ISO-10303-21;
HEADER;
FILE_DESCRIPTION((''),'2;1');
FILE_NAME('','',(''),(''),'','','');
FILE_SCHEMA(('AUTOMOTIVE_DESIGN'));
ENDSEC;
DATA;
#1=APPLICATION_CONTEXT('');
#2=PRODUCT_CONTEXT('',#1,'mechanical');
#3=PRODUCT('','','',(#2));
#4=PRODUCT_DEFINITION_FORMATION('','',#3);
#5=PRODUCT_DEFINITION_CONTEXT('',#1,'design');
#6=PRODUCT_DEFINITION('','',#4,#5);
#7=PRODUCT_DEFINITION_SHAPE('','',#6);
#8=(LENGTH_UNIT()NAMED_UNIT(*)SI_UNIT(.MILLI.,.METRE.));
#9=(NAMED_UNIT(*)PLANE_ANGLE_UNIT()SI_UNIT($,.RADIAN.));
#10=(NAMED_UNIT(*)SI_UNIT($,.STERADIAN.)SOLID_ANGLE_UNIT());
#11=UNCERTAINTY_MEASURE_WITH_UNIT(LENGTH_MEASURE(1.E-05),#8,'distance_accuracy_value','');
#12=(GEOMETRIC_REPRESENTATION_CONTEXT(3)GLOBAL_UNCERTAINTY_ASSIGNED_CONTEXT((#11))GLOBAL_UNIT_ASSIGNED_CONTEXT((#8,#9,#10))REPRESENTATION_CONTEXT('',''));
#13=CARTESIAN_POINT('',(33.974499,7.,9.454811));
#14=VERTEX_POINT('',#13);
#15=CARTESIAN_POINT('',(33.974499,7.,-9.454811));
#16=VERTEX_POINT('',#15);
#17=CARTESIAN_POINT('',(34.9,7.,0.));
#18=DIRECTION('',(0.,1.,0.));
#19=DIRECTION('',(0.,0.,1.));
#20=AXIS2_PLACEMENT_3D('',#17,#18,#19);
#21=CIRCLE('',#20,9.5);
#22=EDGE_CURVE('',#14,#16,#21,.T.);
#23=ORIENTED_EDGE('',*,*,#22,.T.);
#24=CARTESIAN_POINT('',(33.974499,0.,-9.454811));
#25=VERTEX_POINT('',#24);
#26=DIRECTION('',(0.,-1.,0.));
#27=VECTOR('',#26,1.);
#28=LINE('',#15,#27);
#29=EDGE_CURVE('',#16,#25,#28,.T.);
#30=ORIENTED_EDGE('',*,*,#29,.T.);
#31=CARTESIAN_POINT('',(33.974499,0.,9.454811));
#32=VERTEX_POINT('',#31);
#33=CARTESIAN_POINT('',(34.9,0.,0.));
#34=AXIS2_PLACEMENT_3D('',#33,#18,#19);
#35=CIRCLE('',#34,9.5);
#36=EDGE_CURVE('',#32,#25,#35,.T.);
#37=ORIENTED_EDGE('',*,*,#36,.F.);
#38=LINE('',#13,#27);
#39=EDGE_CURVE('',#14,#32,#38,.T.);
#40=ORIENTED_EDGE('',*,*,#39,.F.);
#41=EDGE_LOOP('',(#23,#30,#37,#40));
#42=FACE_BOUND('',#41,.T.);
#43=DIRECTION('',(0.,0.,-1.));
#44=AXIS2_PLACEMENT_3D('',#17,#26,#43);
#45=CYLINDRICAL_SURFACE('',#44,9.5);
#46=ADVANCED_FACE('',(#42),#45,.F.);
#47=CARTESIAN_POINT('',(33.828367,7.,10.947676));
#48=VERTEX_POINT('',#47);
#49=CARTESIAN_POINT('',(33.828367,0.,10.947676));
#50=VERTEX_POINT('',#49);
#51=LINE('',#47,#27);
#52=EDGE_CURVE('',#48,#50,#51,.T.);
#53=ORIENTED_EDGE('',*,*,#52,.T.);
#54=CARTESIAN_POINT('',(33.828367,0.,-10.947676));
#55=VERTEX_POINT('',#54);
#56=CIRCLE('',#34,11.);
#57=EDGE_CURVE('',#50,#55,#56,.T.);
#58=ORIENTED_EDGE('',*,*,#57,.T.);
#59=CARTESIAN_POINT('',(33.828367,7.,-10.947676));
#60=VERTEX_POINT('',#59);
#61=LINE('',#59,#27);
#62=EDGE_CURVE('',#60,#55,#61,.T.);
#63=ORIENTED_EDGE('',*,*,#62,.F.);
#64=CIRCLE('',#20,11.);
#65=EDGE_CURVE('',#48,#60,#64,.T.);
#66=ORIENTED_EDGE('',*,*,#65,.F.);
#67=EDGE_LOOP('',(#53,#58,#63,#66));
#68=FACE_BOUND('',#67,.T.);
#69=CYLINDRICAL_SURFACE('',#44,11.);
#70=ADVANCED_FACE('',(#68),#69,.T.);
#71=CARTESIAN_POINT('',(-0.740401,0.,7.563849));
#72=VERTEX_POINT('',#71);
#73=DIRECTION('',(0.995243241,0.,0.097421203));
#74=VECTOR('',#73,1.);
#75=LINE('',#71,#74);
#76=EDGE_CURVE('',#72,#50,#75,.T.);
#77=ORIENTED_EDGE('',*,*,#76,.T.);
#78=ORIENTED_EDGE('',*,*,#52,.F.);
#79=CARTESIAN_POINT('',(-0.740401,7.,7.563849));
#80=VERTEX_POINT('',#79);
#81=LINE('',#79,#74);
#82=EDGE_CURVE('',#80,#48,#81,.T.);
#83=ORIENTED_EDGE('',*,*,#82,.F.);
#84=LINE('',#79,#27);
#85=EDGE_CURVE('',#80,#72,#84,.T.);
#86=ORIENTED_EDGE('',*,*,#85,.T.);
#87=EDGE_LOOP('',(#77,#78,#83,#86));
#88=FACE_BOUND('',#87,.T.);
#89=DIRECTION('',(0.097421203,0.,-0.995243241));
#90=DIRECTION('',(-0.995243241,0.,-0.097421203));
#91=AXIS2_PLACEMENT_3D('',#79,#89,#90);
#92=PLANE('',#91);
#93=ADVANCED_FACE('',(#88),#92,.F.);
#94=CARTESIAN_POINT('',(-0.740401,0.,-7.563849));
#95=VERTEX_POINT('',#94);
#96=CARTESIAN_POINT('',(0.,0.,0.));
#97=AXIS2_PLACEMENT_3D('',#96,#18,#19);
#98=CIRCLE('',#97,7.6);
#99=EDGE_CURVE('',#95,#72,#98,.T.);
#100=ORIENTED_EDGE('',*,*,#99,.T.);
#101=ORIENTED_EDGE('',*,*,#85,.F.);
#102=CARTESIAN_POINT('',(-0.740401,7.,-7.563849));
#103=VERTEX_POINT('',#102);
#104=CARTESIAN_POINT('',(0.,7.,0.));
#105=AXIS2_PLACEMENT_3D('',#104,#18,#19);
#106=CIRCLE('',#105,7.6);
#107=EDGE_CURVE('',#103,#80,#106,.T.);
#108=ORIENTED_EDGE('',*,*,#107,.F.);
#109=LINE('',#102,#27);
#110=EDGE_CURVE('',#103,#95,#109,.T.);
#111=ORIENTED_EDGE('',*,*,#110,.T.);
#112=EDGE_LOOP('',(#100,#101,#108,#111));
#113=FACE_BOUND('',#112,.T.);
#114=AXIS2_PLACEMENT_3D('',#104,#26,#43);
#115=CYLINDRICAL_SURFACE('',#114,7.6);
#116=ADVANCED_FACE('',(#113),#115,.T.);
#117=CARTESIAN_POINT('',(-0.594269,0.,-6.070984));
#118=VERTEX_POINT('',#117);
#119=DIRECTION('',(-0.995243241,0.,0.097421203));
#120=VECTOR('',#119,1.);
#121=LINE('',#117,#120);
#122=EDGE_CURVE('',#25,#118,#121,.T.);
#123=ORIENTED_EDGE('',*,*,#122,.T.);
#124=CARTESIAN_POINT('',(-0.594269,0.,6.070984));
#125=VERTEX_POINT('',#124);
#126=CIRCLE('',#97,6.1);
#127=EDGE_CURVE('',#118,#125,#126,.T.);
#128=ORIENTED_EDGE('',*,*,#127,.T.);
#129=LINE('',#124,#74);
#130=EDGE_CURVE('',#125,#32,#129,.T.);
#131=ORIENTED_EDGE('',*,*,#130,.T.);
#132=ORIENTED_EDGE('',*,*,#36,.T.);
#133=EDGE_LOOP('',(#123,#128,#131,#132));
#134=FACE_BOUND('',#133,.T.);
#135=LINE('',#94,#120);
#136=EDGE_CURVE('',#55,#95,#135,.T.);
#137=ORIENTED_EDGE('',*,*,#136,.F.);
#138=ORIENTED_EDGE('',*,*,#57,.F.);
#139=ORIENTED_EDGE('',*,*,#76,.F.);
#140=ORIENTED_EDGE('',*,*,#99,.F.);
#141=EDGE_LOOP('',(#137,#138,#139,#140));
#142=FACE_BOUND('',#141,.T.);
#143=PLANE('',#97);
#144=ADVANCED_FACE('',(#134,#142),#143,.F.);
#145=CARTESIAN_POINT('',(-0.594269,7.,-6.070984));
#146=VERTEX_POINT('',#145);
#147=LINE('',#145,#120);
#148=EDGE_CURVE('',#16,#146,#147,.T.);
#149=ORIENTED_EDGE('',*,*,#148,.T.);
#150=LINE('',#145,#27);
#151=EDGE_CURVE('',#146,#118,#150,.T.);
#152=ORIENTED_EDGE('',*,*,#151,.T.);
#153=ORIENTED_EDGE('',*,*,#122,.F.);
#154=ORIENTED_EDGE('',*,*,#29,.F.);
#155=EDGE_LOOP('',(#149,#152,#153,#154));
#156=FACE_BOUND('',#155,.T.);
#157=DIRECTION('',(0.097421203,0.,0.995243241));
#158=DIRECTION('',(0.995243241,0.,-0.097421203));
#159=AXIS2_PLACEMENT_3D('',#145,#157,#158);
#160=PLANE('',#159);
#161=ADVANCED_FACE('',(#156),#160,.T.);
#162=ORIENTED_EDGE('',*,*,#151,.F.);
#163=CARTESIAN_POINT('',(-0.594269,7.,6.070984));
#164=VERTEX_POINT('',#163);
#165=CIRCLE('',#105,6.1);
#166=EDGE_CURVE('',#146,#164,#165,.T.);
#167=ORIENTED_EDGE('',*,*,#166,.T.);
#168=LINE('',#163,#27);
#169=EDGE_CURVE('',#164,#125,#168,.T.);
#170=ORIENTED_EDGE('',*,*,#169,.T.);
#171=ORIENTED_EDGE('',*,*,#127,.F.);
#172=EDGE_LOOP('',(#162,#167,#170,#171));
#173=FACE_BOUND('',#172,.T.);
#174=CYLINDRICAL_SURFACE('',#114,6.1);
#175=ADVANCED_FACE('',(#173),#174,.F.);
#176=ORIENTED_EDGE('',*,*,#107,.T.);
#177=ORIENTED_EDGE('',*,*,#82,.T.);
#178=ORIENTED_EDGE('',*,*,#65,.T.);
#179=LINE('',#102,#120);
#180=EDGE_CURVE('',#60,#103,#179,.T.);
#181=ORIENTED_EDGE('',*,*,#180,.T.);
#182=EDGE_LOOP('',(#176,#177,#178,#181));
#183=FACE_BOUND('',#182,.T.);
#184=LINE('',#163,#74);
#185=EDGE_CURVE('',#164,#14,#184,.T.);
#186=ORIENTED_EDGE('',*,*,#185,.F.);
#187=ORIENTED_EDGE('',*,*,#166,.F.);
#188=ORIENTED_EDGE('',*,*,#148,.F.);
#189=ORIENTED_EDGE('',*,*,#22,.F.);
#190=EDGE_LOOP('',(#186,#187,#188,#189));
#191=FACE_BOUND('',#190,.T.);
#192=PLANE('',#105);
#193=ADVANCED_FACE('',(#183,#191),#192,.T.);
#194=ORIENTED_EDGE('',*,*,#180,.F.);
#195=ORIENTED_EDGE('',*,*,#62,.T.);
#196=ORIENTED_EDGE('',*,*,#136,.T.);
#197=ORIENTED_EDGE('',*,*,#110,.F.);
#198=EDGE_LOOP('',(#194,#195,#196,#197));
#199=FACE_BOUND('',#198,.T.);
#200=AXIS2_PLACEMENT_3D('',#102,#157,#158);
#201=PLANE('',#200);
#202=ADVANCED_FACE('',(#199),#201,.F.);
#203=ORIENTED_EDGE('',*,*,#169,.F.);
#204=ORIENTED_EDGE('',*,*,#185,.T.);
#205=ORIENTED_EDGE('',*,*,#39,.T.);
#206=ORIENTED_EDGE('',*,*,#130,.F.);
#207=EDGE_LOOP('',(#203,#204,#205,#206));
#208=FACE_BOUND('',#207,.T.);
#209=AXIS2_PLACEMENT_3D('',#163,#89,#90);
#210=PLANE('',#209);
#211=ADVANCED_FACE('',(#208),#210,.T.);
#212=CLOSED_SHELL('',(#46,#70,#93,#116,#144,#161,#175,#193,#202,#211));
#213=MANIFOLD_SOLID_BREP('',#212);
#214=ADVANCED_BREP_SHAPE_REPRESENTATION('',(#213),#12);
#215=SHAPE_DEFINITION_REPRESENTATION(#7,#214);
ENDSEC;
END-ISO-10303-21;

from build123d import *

# Parameters (mm, degrees)
BOSS_EXTRUDE1_DEPTH = 7


with BuildPart() as part:
    # Sketch1 → Boss-Extrude1 (new body)
    with BuildSketch(Plane(origin=(0, 0, 0), x_dir=(1, 0, 0), z_dir=(0, 1, 0))):
        with BuildLine():
            Line((-0.740401146, 7.563848633), (33.828366762, 10.947675653))
            ThreePointArc((33.828366762, 10.947675653), (45.9, 0), (33.828366762, -10.947675653))
            Line((33.828366762, -10.947675653), (-0.740401146, -7.563848633))
            ThreePointArc((-0.740401146, -7.563848633), (-7.6, 0), (-0.740401146, 7.563848633))
        make_face()
        with BuildLine():
            Line((-0.594269341, 6.070983771), (33.974498567, 9.454810791))
            ThreePointArc((33.974498567, 9.454810791), (44.4, 0), (33.974498567, -9.454810791))
            Line((33.974498567, -9.454810791), (-0.594269341, -6.070983771))
            ThreePointArc((-0.594269341, -6.070983771), (-6.1, 0), (-0.594269341, 6.070983771))
        make_face(mode=Mode.SUBTRACT)
    extrude(amount=BOSS_EXTRUDE1_DEPTH)


solid = part.part
